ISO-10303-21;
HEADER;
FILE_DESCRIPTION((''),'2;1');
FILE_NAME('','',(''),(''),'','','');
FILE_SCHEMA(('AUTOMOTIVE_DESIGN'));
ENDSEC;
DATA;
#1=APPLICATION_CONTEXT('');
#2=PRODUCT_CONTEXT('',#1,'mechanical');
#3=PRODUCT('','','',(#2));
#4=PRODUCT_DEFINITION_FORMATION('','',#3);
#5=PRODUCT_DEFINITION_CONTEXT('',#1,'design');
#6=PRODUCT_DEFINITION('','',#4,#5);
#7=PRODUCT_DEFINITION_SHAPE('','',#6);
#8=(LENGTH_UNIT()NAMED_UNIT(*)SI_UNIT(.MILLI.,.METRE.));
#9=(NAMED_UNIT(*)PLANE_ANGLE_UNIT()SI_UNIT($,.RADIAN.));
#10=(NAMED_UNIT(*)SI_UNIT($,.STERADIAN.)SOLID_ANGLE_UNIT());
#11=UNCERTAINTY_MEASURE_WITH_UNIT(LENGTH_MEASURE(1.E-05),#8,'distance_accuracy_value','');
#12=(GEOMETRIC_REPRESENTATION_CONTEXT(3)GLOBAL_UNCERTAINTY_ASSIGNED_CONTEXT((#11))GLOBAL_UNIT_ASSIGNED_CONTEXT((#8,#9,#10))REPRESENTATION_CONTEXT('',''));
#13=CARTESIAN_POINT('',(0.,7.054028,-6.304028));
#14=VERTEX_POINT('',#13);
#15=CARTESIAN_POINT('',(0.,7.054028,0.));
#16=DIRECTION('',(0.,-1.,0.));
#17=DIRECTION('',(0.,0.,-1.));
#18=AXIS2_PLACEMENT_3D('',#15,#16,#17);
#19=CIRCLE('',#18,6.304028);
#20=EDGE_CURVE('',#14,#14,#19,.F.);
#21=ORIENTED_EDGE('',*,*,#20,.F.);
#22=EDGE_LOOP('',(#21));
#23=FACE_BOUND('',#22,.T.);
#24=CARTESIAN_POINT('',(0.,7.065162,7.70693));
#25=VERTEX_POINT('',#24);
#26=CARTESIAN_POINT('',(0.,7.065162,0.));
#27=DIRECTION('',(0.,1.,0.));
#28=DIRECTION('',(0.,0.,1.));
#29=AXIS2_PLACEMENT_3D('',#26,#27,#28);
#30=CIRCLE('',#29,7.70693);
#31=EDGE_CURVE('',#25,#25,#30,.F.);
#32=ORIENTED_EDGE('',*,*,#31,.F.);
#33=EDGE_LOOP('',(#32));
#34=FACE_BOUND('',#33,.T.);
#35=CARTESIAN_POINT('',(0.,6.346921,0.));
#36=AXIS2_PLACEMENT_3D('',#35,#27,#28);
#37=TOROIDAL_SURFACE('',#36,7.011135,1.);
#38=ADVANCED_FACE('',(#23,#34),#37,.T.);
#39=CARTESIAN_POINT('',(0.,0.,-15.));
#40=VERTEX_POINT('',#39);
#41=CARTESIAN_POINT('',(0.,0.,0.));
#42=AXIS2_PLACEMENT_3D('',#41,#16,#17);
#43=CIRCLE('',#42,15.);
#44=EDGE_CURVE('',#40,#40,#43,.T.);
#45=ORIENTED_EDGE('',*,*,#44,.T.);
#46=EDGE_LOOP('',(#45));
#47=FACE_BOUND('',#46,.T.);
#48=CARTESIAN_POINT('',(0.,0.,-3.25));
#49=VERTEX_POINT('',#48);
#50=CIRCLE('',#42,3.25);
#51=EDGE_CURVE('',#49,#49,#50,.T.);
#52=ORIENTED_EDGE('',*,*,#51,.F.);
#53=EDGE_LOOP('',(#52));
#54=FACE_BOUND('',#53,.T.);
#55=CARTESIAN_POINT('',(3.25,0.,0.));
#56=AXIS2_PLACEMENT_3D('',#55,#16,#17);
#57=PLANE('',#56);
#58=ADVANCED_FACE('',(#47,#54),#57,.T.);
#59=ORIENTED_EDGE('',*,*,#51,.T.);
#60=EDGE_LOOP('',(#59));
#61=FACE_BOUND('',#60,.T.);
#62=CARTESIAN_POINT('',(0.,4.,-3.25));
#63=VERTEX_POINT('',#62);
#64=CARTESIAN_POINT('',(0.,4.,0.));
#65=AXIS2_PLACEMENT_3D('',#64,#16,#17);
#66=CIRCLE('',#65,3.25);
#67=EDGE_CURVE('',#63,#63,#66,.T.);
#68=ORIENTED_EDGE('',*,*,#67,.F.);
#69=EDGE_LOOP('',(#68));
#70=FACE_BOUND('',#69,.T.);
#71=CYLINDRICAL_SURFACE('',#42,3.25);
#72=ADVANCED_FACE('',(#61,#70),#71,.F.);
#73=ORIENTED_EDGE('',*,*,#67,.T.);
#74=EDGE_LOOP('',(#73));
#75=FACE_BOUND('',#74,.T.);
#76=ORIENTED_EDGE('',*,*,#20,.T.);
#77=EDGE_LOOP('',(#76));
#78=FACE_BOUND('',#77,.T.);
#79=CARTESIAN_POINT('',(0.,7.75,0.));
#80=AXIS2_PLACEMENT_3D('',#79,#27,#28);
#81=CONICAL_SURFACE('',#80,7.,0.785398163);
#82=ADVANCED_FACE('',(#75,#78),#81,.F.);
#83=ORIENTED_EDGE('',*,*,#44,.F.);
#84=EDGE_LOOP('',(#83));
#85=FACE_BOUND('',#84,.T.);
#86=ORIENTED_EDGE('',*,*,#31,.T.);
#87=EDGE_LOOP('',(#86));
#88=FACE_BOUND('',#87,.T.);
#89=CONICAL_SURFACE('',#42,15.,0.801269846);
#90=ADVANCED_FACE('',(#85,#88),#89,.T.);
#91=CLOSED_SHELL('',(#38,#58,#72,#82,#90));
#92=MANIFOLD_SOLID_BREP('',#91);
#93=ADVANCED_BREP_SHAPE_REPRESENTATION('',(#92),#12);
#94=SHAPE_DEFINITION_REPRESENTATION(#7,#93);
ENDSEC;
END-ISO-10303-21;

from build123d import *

# Parameters (mm, degrees)
CONG_1_R = 1


with BuildPart() as part:
    # Esquisse1 → Révolution1 (revolve)
    with BuildSketch(Plane.XY):
        Polygon((3.25, 0), (15, 0), (7, 7.75), (3.25, 4), align=None)
    revolve(axis=Axis((0, 0, 0), (0, 1, 0)))

    # Congé1
    cong_1_edges = [part.edges().sort_by_distance(p)[0] for p in [
        (-7, 7.75, 0),
    ]]
    fillet(cong_1_edges, radius=CONG_1_R)


solid = part.part
